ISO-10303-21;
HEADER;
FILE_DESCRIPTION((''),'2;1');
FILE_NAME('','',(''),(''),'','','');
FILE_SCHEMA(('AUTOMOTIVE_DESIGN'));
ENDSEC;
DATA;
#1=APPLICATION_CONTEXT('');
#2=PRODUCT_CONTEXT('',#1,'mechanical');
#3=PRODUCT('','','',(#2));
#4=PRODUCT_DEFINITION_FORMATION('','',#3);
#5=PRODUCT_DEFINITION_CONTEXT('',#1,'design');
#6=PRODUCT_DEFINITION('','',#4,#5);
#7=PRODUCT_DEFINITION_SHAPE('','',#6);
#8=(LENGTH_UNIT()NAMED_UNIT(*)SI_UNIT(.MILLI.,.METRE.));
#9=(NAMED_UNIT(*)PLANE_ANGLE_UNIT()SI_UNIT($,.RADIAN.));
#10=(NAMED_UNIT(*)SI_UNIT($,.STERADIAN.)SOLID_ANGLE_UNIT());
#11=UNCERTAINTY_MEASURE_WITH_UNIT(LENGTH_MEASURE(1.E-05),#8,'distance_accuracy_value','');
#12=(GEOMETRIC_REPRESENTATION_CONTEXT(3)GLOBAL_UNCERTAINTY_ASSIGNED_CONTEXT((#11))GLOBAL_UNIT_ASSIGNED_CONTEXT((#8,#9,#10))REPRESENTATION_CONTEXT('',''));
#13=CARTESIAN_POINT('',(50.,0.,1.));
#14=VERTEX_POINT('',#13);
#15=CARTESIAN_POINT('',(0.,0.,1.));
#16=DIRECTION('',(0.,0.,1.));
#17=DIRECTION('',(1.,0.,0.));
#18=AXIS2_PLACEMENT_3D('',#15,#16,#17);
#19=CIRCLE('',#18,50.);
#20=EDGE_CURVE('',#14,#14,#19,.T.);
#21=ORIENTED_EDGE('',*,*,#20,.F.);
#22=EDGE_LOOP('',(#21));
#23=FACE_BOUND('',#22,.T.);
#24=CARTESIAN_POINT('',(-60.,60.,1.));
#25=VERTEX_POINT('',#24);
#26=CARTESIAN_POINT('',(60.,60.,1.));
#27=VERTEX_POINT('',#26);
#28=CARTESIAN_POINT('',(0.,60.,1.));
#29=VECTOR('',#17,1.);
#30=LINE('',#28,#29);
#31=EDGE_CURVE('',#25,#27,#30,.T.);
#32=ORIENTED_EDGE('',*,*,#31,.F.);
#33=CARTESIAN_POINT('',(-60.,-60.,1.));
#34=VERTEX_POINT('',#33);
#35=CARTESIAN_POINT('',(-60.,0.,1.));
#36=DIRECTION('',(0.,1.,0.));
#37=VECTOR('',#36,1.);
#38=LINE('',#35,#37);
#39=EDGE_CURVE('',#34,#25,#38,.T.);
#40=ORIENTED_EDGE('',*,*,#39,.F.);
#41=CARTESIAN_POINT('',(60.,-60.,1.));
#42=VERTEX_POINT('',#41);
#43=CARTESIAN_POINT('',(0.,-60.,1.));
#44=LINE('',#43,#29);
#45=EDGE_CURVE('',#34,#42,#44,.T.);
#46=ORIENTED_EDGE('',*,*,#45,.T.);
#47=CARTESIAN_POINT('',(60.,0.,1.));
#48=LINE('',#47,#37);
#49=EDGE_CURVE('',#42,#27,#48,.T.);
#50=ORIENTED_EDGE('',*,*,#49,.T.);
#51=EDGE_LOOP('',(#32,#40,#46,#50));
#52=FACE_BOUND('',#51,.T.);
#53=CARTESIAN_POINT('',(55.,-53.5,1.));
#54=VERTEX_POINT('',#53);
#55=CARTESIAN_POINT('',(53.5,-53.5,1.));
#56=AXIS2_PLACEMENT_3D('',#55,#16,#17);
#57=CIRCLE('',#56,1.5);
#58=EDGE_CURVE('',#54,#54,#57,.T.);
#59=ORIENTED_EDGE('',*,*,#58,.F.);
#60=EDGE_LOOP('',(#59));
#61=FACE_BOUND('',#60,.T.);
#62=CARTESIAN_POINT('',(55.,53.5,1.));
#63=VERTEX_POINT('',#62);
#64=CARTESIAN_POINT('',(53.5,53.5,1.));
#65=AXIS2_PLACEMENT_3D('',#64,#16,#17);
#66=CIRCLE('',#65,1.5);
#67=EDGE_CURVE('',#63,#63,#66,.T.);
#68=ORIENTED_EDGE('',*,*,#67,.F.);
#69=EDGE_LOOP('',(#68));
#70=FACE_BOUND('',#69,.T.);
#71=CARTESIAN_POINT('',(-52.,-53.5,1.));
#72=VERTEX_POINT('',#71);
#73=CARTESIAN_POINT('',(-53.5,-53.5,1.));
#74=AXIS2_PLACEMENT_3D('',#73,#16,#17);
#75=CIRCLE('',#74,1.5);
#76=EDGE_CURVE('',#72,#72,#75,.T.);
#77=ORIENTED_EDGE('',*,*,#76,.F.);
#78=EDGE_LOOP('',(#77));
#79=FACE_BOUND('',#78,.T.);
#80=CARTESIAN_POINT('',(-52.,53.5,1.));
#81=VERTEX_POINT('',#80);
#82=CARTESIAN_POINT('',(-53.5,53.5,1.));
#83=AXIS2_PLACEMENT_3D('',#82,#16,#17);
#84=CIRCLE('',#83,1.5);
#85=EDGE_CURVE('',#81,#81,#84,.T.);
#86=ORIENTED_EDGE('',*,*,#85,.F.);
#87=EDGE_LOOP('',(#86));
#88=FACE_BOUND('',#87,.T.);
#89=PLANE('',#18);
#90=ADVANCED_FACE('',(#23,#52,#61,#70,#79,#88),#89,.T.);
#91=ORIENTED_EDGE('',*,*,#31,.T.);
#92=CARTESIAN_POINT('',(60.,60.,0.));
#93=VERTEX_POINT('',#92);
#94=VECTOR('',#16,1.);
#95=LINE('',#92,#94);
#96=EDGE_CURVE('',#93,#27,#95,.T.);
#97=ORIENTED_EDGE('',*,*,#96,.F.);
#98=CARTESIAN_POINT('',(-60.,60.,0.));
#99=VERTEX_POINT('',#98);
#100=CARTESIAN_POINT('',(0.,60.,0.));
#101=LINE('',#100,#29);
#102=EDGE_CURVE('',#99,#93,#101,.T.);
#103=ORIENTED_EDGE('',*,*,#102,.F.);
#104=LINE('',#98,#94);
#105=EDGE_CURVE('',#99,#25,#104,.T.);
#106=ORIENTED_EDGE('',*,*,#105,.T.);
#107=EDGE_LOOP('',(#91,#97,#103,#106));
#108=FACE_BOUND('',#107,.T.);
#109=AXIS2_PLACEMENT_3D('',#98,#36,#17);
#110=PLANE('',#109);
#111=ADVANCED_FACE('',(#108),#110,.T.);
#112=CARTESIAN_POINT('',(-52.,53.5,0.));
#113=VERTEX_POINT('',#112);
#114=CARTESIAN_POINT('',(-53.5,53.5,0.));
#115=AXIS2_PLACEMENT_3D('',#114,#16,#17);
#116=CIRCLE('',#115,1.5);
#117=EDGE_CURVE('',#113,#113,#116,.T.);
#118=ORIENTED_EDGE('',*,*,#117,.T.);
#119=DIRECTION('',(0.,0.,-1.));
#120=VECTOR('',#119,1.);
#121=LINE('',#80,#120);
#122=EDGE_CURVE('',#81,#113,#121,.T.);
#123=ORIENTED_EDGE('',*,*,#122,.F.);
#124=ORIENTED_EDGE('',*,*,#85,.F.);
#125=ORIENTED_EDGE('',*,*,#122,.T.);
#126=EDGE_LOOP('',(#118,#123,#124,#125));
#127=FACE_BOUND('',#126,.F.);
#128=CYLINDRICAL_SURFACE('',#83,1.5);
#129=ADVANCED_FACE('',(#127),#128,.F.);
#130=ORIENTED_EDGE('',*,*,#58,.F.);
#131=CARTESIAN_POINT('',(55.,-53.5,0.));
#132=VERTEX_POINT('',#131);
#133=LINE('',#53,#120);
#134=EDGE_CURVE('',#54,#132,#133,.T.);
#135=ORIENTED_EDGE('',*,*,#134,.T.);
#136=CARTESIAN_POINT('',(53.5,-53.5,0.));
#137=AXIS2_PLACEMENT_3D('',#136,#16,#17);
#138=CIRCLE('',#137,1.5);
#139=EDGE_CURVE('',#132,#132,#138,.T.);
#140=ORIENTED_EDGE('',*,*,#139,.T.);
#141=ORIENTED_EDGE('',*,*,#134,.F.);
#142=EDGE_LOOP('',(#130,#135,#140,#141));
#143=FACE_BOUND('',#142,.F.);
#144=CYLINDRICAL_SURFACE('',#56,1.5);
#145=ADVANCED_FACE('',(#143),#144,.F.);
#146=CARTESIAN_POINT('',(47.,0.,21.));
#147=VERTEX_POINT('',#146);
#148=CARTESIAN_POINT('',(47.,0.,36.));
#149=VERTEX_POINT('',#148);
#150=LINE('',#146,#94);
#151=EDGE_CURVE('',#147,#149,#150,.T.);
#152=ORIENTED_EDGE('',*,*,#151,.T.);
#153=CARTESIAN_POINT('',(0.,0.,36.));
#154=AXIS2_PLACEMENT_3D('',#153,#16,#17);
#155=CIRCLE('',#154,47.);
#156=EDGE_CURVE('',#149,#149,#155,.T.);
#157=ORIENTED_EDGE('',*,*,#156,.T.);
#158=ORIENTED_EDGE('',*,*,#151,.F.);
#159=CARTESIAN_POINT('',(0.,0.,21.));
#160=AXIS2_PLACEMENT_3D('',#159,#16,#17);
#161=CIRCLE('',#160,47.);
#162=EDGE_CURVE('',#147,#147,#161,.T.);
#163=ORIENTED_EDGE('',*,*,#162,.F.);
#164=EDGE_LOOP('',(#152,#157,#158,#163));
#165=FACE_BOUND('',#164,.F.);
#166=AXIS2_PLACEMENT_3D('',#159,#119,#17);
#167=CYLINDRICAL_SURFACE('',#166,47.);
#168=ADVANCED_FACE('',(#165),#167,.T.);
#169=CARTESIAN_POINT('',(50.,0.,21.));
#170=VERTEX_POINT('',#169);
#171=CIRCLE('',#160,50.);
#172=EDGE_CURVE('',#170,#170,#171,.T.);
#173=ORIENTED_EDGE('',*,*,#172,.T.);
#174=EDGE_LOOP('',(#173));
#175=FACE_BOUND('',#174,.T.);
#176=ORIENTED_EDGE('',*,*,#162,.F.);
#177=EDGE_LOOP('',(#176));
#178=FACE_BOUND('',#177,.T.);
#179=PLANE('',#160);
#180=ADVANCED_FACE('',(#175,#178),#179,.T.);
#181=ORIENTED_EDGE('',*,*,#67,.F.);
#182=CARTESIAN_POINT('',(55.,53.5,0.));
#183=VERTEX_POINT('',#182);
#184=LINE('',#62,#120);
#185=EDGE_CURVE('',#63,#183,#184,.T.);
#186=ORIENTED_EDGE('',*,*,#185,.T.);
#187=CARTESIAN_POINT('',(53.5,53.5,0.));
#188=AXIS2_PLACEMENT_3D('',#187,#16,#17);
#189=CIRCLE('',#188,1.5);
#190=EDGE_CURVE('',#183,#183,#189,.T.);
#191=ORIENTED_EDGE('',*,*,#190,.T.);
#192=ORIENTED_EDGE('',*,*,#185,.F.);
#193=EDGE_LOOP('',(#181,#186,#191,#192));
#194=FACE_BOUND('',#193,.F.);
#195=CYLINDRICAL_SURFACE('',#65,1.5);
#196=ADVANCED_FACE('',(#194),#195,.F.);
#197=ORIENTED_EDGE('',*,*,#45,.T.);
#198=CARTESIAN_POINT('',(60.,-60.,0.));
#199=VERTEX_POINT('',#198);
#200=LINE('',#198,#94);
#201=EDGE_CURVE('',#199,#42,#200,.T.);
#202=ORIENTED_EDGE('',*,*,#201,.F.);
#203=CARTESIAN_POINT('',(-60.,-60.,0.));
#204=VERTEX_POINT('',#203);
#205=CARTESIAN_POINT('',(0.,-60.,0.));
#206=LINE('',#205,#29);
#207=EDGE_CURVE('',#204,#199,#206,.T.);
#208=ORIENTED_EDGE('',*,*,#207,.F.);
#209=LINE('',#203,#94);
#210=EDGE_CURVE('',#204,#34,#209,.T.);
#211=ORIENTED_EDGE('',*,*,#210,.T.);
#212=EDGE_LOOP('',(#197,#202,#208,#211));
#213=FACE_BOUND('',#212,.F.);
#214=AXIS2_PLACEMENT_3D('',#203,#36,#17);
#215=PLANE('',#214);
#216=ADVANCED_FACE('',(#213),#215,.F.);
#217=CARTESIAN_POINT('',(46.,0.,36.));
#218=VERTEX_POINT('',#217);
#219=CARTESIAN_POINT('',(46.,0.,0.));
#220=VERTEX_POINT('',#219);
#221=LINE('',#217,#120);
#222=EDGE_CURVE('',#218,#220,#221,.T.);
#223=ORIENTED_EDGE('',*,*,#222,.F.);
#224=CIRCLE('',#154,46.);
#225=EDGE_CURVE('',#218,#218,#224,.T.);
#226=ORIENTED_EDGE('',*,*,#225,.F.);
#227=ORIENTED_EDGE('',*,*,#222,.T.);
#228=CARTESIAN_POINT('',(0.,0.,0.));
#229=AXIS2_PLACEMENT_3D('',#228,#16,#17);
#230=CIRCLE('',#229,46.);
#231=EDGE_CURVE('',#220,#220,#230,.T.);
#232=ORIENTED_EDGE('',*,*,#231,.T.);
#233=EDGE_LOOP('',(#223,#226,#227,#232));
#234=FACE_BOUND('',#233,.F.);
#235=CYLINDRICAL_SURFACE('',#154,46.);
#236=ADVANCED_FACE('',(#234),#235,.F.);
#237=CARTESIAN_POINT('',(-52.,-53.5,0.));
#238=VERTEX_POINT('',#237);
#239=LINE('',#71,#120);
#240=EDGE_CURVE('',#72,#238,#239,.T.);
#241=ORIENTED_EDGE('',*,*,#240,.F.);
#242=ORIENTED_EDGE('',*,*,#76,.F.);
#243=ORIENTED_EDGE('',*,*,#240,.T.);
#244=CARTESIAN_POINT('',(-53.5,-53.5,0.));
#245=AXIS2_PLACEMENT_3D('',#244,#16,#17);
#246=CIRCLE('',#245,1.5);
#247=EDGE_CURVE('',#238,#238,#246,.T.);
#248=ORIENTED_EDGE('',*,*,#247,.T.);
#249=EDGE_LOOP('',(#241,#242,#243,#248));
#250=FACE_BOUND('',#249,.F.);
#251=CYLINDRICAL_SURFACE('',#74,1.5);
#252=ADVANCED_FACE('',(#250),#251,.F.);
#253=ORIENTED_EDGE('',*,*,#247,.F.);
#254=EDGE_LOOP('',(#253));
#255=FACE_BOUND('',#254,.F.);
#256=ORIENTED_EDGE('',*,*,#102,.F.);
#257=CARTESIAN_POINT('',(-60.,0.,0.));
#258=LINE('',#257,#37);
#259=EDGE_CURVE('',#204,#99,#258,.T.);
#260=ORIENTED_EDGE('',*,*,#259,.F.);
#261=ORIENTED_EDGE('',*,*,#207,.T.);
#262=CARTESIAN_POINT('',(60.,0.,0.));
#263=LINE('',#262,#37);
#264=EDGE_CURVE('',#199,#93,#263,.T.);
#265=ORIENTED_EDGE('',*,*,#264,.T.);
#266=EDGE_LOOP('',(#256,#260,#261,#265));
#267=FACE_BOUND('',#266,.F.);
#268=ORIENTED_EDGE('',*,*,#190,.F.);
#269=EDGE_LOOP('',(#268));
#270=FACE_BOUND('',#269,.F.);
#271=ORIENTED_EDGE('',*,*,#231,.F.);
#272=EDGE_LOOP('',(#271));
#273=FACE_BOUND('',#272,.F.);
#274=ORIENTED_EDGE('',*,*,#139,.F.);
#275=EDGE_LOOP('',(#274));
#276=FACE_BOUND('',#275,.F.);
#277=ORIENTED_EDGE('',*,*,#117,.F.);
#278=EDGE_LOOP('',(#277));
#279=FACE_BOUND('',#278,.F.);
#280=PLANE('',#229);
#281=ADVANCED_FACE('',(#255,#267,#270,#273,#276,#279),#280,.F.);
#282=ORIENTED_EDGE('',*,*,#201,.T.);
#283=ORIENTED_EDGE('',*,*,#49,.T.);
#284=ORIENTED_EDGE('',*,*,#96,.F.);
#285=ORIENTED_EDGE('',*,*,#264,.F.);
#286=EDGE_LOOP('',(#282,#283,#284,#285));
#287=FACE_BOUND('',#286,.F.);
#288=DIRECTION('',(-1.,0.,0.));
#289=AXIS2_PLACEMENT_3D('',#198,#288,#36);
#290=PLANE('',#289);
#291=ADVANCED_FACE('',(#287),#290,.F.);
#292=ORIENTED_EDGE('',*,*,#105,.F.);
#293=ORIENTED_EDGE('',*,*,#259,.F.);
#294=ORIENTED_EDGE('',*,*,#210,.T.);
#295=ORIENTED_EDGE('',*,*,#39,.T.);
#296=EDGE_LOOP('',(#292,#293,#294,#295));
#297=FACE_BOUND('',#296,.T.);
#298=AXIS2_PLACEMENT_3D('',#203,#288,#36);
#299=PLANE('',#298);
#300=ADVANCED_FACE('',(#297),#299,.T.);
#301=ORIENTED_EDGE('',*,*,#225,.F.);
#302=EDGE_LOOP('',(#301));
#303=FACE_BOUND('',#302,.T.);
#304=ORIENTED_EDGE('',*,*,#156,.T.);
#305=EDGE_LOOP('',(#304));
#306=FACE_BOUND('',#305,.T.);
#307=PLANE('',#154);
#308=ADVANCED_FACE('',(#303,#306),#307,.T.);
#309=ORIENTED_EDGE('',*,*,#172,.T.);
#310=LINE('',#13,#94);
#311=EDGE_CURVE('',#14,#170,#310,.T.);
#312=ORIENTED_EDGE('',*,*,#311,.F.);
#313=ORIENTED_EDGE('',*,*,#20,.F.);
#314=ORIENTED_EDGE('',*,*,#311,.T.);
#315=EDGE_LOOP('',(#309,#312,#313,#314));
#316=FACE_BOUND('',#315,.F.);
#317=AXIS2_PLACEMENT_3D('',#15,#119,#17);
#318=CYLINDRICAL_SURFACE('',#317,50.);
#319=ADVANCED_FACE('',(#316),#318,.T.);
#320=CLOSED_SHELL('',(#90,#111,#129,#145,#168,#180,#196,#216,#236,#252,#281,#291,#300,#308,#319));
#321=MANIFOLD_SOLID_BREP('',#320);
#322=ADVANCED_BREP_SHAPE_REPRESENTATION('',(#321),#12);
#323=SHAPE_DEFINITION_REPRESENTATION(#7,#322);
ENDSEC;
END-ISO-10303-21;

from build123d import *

# Parameters (mm, degrees)
F0_W     = 120
F0_H     = 120
F1_DEPTH = 1
F2_R     = 50
F3_DEPTH = 20
F4_R     = 47
F5_DEPTH = 15
F6_R     = 46
F7_DEPTH = 56.8
F8_R     = 1.5
F9_DEPTH = 25


with BuildPart() as f1:
    # F0 (on Top) → F1 (new body)
    with BuildSketch(Plane.XY):
        Rectangle(F0_W, F0_H)
    extrude(amount=F1_DEPTH)

    # F2 (on face) → F3 (join)
    with BuildSketch(Plane.XY.offset(1)):
        Circle(F2_R)
    extrude(amount=F3_DEPTH)

    # F4 (on face) → F5 (join)
    with BuildSketch(Plane.XY.offset(21)):
        Circle(F4_R)
    extrude(amount=F5_DEPTH)

    # F6 (on face) → F7 (cut)
    with BuildSketch(Plane.XY.offset(36)):
        Circle(F6_R)
    extrude(amount=-F7_DEPTH, mode=Mode.SUBTRACT)

    # F8 (on face) → F9 (cut)
    with BuildSketch(Plane.XY.offset(1)):
        with Locations((-53.5, -53.5)):
            Circle(F8_R)
        with Locations((53.5, -53.5)):
            Circle(F8_R)
        with Locations((-53.5, 53.5)):
            Circle(F8_R)
        with Locations((53.5, 53.5)):
            Circle(F8_R)
    extrude(amount=-F9_DEPTH, mode=Mode.SUBTRACT)


solid = f1.part
